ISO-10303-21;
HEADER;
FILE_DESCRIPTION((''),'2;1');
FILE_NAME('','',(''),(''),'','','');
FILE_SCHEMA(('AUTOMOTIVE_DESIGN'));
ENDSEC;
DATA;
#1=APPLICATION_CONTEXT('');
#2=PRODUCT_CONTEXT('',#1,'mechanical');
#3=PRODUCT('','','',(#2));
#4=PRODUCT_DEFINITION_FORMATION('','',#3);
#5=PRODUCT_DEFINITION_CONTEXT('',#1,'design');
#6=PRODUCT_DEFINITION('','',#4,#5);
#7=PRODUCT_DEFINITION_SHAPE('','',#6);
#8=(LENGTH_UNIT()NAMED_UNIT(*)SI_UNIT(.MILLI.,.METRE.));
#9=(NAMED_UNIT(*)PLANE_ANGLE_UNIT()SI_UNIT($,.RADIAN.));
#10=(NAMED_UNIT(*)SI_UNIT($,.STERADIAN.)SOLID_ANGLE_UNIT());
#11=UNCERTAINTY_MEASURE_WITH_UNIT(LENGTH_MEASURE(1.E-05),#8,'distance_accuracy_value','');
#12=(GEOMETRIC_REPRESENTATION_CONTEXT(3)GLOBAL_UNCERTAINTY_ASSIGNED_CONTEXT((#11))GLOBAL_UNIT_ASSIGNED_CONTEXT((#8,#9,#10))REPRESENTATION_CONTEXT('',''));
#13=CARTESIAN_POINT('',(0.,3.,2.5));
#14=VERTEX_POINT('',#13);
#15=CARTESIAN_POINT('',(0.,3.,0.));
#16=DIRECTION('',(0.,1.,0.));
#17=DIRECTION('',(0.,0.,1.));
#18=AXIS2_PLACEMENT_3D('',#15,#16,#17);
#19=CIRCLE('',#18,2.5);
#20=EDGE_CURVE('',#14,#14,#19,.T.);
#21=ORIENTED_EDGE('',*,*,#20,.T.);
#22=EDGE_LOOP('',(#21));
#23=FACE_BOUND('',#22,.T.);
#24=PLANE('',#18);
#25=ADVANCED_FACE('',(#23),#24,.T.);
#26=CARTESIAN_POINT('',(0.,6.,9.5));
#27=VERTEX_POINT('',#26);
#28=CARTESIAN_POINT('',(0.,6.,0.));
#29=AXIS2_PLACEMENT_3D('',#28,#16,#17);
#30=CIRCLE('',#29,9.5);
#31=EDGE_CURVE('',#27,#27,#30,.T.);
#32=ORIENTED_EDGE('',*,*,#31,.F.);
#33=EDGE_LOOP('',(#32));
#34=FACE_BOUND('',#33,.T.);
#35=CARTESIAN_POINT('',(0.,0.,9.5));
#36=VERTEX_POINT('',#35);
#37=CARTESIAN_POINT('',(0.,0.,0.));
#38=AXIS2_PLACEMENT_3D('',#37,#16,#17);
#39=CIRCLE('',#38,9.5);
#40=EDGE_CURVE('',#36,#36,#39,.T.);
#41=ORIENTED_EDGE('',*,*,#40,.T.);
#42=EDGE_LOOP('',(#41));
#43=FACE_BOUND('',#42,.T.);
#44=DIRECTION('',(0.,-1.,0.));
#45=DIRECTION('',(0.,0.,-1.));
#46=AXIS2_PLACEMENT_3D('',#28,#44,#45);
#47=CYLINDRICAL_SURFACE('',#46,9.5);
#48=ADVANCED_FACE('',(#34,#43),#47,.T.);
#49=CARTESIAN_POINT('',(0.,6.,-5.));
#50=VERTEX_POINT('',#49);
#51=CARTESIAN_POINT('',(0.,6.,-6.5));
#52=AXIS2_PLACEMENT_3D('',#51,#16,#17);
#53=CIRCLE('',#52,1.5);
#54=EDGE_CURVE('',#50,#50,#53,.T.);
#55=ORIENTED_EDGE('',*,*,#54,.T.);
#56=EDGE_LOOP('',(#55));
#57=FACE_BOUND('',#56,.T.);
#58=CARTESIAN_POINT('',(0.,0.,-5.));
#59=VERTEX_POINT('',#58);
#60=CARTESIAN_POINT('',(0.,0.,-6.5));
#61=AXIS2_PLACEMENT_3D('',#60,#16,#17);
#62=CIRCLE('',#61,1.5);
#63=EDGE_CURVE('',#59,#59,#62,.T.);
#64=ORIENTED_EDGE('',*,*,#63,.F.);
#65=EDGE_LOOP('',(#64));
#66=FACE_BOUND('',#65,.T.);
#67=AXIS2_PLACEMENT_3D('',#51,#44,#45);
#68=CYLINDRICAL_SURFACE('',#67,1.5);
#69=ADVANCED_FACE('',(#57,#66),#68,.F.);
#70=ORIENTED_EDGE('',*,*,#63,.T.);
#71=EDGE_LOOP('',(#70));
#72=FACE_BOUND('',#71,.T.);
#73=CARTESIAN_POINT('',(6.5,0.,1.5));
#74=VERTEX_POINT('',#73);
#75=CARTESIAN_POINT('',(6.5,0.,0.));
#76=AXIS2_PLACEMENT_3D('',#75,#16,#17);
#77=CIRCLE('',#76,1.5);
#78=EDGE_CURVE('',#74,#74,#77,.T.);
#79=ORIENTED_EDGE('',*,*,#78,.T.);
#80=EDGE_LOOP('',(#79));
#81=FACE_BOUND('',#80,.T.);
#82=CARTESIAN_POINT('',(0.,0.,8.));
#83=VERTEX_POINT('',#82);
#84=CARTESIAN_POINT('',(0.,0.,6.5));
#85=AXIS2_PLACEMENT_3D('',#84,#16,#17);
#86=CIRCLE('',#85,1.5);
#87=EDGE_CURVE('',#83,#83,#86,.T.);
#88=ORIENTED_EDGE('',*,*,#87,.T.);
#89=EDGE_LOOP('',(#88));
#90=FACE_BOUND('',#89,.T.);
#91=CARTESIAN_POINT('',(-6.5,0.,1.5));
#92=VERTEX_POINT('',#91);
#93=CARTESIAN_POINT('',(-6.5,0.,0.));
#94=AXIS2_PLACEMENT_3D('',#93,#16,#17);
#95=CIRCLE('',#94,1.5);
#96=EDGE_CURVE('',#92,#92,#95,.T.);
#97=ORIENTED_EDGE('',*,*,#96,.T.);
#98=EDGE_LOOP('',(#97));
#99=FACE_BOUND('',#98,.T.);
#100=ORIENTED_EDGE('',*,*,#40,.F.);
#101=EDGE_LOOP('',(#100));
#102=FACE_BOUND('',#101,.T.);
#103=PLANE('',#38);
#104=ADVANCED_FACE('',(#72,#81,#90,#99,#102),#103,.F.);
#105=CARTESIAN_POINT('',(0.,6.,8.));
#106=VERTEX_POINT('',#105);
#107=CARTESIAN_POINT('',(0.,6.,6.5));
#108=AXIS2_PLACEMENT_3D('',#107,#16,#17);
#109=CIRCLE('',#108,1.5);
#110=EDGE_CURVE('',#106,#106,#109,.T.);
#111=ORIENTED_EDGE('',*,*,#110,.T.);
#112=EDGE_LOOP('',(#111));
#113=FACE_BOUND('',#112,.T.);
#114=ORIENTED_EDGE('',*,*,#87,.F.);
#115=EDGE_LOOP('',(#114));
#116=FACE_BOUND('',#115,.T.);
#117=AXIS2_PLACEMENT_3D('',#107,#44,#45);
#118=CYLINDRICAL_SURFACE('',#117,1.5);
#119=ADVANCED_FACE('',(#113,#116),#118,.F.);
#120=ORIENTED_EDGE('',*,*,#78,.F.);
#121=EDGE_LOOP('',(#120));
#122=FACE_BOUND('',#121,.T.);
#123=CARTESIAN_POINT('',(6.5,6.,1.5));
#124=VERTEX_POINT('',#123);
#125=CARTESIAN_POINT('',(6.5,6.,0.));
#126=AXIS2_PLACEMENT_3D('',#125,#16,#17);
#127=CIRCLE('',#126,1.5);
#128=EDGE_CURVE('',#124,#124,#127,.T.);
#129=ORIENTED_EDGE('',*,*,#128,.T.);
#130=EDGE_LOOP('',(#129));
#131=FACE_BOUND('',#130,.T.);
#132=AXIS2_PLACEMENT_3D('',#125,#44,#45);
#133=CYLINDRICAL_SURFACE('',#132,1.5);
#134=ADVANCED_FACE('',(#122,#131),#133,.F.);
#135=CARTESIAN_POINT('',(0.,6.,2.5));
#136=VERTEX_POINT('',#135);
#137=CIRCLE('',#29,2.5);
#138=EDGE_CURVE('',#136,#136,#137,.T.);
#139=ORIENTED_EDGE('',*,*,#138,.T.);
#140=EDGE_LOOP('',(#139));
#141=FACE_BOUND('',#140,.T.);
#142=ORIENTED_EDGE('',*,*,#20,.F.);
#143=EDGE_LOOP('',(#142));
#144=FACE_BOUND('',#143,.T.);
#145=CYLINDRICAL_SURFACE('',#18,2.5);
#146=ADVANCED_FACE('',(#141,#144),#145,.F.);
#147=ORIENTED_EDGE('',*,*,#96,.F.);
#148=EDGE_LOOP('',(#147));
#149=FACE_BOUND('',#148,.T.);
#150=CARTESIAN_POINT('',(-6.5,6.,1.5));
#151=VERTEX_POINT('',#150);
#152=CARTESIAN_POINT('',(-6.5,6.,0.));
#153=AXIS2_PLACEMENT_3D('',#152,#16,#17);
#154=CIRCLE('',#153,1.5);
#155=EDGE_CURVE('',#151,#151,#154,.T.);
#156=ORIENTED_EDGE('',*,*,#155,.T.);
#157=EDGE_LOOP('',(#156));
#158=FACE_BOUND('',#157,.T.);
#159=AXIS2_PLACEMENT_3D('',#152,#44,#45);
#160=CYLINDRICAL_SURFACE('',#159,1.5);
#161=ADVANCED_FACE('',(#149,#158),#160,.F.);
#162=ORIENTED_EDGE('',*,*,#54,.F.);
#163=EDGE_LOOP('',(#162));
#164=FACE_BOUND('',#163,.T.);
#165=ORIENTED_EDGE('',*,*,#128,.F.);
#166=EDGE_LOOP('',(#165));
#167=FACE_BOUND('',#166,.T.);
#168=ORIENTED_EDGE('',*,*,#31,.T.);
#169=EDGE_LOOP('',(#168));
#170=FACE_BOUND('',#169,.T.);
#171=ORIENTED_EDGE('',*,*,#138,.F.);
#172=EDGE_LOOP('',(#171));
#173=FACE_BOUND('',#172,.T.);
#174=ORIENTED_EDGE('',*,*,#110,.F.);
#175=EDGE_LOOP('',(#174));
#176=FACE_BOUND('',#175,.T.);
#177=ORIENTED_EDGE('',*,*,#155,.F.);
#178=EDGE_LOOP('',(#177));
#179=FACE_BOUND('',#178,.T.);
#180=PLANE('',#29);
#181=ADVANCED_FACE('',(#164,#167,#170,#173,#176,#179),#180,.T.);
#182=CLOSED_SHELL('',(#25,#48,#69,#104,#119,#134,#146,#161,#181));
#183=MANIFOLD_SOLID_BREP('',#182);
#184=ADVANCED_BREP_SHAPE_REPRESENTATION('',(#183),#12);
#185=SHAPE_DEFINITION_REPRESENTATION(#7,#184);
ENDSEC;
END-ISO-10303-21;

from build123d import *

# Parameters (mm, degrees)
SKETCH1_R           = 9.5
SKETCH1_R_2         = 1.5
BOSS_EXTRUDE1_DEPTH = 6
SKETCH2_R           = 2.5
CUT_EXTRUDE1_DEPTH  = 3


with BuildPart() as part:
    # Sketch1 → Boss-Extrude1 (new body)
    with BuildSketch(Plane(origin=(0, 0, 0), x_dir=(1, 0, 0), z_dir=(0, 1, 0))):
        with Locations(Location((0, 0, 0), (0, 0, 270))):
            Circle(SKETCH1_R)
        with Locations(Location((6.5, 0, 0), (0, 0, 270))):
            Circle(SKETCH1_R_2, mode=Mode.SUBTRACT)
        with Locations(Location((0, -6.5, 0), (0, 0, 270))):
            Circle(SKETCH1_R_2, mode=Mode.SUBTRACT)
        with Locations(Location((-6.5, 0, 0), (0, 0, 270))):
            Circle(SKETCH1_R_2, mode=Mode.SUBTRACT)
        with Locations(Location((0, 6.5, 0), (0, 0, 270))):
            Circle(SKETCH1_R_2, mode=Mode.SUBTRACT)
    extrude(amount=BOSS_EXTRUDE1_DEPTH)

    # Sketch2 → Cut-Extrude1 (cut)
    with BuildSketch(Plane(origin=(0, 6, 0), x_dir=(1, 0, 0), z_dir=(0, 1, 0))):
        with Locations(Location((0, 0, 0), (0, 0, 270))):
            Circle(SKETCH2_R)
    extrude(amount=-CUT_EXTRUDE1_DEPTH, mode=Mode.SUBTRACT)


solid = part.part
